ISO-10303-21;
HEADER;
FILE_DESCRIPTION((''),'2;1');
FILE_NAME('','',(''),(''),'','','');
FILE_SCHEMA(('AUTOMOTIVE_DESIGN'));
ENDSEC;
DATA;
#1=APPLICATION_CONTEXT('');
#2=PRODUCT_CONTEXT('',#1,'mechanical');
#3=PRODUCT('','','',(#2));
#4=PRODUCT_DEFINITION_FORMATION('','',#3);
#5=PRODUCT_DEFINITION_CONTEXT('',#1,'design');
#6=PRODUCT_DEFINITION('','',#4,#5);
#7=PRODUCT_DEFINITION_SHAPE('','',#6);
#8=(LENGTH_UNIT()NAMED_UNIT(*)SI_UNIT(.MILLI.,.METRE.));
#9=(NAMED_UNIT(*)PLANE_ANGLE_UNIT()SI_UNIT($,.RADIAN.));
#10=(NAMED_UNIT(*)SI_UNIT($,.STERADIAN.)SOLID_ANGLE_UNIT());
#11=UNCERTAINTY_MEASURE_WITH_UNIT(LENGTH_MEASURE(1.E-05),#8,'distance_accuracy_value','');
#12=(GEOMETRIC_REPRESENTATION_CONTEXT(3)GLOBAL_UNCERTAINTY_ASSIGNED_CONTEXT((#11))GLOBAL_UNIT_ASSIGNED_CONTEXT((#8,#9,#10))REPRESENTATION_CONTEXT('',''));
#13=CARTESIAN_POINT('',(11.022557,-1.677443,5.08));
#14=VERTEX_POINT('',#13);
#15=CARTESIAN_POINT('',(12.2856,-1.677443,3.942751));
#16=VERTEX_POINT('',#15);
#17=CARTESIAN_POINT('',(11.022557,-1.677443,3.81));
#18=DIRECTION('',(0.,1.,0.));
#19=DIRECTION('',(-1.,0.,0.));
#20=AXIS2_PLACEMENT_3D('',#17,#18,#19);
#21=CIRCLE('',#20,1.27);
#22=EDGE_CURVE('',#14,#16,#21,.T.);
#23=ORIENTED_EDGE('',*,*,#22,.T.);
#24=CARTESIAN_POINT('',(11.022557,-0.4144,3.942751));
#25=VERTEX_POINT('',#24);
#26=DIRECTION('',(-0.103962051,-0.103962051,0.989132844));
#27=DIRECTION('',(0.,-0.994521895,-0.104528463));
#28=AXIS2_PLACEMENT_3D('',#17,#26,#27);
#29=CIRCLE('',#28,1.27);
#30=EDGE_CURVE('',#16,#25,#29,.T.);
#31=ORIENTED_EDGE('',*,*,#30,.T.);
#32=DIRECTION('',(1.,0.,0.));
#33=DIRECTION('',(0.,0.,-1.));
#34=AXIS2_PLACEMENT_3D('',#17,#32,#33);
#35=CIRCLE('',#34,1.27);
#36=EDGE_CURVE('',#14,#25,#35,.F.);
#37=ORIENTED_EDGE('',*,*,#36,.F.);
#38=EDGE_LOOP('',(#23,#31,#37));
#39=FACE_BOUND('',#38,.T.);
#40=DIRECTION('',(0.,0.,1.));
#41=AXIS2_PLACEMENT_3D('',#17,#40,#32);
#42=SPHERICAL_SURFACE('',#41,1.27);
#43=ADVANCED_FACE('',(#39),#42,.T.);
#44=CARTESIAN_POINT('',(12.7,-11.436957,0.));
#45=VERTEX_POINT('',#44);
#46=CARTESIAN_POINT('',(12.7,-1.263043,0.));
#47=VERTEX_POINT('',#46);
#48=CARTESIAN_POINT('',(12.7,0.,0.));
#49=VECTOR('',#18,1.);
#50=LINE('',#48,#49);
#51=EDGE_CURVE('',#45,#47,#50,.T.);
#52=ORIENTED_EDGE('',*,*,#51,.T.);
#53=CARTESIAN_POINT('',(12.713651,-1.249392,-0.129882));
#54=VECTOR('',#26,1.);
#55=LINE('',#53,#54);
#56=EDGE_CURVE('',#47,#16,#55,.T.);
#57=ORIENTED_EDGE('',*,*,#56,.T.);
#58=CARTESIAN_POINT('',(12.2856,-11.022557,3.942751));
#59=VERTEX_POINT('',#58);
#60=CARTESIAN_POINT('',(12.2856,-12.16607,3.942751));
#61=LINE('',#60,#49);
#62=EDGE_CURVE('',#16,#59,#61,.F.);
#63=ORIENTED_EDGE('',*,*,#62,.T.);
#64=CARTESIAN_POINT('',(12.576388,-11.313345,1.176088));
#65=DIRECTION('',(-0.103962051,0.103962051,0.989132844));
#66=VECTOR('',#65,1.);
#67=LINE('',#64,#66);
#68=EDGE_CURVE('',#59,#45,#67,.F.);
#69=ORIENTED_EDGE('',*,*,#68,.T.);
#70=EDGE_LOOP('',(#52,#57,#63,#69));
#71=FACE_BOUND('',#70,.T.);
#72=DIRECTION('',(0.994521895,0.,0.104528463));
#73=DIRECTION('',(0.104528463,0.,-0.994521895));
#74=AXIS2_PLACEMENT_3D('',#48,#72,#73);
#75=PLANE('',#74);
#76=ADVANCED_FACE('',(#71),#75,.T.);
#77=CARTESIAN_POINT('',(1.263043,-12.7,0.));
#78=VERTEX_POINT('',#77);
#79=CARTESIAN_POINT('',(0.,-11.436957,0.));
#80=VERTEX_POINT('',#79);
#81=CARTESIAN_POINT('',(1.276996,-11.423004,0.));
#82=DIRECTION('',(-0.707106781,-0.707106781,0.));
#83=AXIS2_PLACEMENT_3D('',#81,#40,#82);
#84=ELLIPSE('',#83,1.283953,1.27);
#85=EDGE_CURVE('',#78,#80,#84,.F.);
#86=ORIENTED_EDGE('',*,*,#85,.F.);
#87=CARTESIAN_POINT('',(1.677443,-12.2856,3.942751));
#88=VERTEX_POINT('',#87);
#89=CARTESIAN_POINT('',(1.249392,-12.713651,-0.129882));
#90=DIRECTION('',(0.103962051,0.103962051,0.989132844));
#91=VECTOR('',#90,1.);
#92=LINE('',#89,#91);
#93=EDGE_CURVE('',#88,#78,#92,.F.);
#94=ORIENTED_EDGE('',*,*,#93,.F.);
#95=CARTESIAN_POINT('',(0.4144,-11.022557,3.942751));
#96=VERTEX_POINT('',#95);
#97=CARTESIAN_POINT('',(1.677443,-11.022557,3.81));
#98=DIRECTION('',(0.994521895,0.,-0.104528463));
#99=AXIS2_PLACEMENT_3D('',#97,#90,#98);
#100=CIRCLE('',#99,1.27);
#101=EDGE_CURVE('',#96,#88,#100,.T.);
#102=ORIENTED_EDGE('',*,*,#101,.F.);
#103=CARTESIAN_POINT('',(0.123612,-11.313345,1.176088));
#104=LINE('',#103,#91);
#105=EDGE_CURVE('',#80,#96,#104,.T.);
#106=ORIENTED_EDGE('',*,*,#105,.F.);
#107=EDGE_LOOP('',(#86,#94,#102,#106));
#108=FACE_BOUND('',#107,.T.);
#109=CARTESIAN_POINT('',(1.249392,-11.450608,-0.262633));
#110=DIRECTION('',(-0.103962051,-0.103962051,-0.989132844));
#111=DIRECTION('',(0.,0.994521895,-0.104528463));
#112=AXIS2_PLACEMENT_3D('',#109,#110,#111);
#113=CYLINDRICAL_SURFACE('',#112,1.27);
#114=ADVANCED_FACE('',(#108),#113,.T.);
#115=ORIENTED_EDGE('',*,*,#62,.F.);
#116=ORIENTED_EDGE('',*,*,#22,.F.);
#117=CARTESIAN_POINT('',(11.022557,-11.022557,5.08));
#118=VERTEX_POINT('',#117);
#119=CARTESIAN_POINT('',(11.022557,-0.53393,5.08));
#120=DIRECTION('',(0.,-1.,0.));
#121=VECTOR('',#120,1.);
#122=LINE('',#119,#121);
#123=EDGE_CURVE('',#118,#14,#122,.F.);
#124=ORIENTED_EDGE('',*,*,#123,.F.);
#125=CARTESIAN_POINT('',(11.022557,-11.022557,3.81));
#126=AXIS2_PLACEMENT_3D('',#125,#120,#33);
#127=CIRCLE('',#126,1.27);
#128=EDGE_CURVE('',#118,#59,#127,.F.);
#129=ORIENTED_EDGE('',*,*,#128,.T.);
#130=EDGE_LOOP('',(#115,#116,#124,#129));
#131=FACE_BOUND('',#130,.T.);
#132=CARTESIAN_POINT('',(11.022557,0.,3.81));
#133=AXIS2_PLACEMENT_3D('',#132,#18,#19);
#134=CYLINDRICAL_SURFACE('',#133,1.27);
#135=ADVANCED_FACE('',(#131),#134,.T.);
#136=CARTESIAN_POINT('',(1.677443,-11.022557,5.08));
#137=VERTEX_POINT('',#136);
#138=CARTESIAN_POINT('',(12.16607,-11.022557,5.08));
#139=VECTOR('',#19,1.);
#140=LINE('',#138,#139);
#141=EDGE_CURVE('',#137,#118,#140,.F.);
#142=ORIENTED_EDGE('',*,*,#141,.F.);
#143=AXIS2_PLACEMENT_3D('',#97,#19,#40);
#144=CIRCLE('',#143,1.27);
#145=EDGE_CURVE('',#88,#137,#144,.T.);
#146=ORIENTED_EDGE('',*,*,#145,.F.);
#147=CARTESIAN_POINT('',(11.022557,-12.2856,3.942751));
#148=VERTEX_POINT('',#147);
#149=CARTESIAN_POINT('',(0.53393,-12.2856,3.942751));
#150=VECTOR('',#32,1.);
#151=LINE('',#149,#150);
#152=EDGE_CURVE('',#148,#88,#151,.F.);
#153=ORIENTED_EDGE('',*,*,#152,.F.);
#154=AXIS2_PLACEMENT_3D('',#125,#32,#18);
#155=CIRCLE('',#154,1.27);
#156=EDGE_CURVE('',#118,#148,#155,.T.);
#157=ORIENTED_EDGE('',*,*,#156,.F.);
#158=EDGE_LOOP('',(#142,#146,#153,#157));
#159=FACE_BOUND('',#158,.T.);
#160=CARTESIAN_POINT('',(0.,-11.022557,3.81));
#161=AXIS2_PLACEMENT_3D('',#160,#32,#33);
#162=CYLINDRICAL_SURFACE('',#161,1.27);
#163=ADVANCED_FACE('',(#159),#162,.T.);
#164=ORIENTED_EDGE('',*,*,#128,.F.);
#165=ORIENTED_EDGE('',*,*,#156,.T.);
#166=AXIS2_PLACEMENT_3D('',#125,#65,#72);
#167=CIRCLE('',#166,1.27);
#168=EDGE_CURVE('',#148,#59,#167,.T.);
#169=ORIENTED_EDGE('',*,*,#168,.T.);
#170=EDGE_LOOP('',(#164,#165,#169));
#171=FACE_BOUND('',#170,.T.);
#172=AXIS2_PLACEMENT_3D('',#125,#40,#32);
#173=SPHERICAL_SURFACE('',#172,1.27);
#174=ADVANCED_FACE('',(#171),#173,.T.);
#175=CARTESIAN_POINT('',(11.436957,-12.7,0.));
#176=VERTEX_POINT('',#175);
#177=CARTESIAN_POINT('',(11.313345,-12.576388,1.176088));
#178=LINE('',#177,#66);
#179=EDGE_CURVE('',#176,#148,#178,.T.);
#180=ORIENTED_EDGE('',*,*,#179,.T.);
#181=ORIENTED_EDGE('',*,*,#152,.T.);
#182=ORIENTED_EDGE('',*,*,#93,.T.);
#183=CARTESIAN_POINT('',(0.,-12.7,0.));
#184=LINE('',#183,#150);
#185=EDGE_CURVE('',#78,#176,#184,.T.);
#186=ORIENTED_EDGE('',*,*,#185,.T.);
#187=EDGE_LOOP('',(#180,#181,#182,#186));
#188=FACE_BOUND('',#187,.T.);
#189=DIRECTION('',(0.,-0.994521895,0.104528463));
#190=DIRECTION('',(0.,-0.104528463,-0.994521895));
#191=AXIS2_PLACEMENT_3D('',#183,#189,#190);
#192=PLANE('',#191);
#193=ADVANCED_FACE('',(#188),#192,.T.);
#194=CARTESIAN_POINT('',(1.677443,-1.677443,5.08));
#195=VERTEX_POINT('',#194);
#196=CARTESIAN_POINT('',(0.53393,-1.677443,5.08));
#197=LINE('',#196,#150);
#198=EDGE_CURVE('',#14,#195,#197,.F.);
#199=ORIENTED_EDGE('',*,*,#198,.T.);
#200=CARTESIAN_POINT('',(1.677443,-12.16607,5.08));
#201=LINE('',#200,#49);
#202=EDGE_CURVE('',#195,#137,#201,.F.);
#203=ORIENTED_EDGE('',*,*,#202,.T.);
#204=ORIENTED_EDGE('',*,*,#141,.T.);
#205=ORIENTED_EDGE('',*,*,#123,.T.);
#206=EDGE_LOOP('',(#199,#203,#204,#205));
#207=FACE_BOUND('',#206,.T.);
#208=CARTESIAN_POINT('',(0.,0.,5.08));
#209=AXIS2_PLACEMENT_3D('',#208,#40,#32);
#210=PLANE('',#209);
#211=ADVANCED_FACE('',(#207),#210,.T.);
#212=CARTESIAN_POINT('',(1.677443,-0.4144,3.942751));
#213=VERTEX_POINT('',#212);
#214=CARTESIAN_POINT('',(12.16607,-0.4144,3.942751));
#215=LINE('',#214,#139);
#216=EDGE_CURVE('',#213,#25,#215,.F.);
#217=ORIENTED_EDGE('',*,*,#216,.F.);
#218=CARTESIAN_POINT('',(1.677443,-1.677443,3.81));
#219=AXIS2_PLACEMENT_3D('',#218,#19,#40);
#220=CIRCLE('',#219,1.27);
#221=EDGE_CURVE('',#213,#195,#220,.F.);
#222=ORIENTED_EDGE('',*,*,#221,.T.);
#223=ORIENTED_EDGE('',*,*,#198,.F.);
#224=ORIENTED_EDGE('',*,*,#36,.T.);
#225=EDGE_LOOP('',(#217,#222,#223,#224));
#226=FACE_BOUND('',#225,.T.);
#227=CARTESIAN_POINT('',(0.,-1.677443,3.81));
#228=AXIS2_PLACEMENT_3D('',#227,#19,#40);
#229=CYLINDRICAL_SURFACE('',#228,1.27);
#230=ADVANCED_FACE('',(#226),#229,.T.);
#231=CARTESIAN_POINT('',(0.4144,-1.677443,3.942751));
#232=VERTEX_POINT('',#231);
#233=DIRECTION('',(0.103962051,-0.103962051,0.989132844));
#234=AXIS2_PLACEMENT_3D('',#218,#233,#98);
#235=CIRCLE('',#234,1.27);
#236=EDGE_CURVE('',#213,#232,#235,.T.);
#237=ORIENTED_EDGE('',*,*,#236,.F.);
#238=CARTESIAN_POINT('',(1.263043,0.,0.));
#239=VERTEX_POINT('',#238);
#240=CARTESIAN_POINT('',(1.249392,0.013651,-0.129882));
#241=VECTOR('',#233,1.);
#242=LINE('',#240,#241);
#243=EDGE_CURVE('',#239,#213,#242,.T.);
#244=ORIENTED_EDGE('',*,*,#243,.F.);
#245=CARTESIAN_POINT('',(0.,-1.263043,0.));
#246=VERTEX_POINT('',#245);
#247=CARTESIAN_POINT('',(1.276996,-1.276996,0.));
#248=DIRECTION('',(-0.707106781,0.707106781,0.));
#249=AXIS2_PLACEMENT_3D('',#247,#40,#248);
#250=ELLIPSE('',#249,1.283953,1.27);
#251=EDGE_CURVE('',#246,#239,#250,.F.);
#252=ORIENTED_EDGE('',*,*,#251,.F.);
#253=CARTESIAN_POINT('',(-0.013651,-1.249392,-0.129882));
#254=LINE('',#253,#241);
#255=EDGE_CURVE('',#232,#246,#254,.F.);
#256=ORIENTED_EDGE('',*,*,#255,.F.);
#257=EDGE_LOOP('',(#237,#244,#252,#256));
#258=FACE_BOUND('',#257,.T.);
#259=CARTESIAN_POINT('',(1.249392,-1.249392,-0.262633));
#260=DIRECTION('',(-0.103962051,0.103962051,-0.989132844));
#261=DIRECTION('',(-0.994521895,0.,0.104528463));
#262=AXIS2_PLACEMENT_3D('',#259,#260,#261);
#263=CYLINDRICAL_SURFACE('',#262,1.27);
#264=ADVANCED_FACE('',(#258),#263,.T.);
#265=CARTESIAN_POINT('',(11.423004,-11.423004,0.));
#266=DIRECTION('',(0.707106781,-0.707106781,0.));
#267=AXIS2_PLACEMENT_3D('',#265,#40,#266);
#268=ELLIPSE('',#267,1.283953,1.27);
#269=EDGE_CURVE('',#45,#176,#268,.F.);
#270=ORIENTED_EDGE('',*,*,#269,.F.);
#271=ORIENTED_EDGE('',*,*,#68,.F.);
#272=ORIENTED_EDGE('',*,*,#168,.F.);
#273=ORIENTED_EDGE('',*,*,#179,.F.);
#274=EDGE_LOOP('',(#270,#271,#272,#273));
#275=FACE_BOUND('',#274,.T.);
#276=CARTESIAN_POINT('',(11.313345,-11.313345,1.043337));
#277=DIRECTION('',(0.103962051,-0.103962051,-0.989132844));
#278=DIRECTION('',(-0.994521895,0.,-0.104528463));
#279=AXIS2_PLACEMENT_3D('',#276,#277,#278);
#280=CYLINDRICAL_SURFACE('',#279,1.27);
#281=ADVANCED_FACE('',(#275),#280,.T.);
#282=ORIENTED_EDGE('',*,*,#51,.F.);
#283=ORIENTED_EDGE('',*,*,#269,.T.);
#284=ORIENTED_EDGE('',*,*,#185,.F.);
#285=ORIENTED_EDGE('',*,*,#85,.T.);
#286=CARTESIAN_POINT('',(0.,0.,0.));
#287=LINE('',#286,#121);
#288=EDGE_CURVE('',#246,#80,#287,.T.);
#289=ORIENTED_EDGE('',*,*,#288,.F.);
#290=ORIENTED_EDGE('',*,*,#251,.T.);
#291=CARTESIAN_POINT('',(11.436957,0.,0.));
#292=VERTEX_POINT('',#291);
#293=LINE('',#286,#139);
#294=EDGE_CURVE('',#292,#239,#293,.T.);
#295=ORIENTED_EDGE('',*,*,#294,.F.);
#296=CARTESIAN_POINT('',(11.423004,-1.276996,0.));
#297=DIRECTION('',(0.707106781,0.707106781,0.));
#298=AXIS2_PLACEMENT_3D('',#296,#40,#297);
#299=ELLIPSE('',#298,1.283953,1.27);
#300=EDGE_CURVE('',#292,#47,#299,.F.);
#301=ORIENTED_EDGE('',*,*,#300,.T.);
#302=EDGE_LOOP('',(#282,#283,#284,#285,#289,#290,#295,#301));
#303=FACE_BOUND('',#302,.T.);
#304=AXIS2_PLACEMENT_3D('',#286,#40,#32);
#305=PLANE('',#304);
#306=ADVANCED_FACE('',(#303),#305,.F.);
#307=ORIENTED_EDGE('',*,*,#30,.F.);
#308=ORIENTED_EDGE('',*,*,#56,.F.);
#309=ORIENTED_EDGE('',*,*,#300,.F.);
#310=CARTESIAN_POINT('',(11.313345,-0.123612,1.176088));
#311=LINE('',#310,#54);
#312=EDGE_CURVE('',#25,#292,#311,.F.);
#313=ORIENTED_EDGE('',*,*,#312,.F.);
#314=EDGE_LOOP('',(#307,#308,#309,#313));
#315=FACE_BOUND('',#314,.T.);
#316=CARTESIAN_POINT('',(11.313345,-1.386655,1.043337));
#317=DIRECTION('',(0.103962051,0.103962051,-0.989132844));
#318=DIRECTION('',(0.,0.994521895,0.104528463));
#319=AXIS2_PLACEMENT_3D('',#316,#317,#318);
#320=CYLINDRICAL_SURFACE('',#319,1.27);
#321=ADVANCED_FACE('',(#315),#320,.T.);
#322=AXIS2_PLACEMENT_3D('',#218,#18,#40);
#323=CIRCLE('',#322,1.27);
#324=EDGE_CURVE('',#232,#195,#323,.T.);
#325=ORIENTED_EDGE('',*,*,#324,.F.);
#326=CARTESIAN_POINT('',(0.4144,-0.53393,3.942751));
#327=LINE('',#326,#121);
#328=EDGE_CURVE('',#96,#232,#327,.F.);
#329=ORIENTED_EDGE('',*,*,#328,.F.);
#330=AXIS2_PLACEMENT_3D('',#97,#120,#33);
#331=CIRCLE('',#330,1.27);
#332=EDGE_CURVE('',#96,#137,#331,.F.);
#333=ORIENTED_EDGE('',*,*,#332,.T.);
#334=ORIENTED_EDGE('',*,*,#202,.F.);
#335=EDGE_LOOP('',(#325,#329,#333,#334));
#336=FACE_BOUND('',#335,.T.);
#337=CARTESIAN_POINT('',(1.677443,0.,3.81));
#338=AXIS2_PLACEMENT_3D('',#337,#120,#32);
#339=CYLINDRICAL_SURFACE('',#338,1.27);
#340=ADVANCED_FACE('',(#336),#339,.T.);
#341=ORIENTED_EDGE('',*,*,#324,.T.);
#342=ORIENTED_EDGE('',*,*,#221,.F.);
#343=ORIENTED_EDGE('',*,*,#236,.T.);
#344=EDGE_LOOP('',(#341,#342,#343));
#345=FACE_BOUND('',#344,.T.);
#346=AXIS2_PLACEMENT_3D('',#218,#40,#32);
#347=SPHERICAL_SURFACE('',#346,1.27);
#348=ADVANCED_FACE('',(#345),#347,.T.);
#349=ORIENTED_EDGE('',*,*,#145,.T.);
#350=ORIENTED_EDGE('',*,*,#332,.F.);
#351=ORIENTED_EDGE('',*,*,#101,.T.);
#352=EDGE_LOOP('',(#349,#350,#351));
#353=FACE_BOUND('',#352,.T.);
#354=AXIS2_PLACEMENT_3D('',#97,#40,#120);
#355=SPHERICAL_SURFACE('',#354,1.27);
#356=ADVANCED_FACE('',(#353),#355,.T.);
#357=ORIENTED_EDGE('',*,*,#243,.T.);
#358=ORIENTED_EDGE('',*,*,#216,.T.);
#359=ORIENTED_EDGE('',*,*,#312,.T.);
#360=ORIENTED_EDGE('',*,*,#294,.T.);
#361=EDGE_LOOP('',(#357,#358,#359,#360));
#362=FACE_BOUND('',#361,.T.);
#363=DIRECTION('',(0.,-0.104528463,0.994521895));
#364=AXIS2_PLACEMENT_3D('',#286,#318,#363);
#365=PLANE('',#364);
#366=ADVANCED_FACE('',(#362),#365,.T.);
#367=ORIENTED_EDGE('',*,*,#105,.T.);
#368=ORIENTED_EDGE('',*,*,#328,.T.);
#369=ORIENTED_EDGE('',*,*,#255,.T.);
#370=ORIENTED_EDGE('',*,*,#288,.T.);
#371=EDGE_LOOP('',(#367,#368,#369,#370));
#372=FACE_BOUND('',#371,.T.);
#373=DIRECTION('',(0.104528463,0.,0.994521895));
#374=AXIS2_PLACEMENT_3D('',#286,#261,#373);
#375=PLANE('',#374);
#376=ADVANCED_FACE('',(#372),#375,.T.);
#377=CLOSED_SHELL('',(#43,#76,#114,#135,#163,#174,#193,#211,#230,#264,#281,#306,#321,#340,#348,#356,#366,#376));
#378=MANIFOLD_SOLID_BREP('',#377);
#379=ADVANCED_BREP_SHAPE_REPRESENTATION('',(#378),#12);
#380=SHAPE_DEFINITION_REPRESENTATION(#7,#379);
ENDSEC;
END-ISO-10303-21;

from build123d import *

# Parameters (mm, degrees)
SKETCH1_W           = 12.7
SKETCH1_H           = 12.7
BOSS_EXTRUDE1_DEPTH = 5.08
BOSS_EXTRUDE1_TAPER = 6
FILLET1_R           = 1.27


with BuildPart() as part:
    # Sketch1 → Boss-Extrude1 (new body)
    with BuildSketch(Plane.XY):
        with Locations((6.35, -6.35)):
            Rectangle(SKETCH1_W, SKETCH1_H)
    extrude(amount=BOSS_EXTRUDE1_DEPTH, taper=BOSS_EXTRUDE1_TAPER)

    # Fillet1
    fillet1_edges = [part.edges().sort_by_distance(p)[0] for p in [
        (12.166070485, -6.35, 5.08),
        (6.35, -0.533929515, 5.08),
        (0.533929515, -6.35, 5.08),
        (0.266964758, -0.266964758, 2.54),
        (12.43303478, -0.26696522, 2.540004395),
        (12.433035242, -12.433035242, 2.54),
        (0.26696522, -12.43303478, 2.540004395),
        (6.35, -12.166070485, 5.08),
    ]]
    fillet(fillet1_edges, radius=FILLET1_R)


solid = part.part
